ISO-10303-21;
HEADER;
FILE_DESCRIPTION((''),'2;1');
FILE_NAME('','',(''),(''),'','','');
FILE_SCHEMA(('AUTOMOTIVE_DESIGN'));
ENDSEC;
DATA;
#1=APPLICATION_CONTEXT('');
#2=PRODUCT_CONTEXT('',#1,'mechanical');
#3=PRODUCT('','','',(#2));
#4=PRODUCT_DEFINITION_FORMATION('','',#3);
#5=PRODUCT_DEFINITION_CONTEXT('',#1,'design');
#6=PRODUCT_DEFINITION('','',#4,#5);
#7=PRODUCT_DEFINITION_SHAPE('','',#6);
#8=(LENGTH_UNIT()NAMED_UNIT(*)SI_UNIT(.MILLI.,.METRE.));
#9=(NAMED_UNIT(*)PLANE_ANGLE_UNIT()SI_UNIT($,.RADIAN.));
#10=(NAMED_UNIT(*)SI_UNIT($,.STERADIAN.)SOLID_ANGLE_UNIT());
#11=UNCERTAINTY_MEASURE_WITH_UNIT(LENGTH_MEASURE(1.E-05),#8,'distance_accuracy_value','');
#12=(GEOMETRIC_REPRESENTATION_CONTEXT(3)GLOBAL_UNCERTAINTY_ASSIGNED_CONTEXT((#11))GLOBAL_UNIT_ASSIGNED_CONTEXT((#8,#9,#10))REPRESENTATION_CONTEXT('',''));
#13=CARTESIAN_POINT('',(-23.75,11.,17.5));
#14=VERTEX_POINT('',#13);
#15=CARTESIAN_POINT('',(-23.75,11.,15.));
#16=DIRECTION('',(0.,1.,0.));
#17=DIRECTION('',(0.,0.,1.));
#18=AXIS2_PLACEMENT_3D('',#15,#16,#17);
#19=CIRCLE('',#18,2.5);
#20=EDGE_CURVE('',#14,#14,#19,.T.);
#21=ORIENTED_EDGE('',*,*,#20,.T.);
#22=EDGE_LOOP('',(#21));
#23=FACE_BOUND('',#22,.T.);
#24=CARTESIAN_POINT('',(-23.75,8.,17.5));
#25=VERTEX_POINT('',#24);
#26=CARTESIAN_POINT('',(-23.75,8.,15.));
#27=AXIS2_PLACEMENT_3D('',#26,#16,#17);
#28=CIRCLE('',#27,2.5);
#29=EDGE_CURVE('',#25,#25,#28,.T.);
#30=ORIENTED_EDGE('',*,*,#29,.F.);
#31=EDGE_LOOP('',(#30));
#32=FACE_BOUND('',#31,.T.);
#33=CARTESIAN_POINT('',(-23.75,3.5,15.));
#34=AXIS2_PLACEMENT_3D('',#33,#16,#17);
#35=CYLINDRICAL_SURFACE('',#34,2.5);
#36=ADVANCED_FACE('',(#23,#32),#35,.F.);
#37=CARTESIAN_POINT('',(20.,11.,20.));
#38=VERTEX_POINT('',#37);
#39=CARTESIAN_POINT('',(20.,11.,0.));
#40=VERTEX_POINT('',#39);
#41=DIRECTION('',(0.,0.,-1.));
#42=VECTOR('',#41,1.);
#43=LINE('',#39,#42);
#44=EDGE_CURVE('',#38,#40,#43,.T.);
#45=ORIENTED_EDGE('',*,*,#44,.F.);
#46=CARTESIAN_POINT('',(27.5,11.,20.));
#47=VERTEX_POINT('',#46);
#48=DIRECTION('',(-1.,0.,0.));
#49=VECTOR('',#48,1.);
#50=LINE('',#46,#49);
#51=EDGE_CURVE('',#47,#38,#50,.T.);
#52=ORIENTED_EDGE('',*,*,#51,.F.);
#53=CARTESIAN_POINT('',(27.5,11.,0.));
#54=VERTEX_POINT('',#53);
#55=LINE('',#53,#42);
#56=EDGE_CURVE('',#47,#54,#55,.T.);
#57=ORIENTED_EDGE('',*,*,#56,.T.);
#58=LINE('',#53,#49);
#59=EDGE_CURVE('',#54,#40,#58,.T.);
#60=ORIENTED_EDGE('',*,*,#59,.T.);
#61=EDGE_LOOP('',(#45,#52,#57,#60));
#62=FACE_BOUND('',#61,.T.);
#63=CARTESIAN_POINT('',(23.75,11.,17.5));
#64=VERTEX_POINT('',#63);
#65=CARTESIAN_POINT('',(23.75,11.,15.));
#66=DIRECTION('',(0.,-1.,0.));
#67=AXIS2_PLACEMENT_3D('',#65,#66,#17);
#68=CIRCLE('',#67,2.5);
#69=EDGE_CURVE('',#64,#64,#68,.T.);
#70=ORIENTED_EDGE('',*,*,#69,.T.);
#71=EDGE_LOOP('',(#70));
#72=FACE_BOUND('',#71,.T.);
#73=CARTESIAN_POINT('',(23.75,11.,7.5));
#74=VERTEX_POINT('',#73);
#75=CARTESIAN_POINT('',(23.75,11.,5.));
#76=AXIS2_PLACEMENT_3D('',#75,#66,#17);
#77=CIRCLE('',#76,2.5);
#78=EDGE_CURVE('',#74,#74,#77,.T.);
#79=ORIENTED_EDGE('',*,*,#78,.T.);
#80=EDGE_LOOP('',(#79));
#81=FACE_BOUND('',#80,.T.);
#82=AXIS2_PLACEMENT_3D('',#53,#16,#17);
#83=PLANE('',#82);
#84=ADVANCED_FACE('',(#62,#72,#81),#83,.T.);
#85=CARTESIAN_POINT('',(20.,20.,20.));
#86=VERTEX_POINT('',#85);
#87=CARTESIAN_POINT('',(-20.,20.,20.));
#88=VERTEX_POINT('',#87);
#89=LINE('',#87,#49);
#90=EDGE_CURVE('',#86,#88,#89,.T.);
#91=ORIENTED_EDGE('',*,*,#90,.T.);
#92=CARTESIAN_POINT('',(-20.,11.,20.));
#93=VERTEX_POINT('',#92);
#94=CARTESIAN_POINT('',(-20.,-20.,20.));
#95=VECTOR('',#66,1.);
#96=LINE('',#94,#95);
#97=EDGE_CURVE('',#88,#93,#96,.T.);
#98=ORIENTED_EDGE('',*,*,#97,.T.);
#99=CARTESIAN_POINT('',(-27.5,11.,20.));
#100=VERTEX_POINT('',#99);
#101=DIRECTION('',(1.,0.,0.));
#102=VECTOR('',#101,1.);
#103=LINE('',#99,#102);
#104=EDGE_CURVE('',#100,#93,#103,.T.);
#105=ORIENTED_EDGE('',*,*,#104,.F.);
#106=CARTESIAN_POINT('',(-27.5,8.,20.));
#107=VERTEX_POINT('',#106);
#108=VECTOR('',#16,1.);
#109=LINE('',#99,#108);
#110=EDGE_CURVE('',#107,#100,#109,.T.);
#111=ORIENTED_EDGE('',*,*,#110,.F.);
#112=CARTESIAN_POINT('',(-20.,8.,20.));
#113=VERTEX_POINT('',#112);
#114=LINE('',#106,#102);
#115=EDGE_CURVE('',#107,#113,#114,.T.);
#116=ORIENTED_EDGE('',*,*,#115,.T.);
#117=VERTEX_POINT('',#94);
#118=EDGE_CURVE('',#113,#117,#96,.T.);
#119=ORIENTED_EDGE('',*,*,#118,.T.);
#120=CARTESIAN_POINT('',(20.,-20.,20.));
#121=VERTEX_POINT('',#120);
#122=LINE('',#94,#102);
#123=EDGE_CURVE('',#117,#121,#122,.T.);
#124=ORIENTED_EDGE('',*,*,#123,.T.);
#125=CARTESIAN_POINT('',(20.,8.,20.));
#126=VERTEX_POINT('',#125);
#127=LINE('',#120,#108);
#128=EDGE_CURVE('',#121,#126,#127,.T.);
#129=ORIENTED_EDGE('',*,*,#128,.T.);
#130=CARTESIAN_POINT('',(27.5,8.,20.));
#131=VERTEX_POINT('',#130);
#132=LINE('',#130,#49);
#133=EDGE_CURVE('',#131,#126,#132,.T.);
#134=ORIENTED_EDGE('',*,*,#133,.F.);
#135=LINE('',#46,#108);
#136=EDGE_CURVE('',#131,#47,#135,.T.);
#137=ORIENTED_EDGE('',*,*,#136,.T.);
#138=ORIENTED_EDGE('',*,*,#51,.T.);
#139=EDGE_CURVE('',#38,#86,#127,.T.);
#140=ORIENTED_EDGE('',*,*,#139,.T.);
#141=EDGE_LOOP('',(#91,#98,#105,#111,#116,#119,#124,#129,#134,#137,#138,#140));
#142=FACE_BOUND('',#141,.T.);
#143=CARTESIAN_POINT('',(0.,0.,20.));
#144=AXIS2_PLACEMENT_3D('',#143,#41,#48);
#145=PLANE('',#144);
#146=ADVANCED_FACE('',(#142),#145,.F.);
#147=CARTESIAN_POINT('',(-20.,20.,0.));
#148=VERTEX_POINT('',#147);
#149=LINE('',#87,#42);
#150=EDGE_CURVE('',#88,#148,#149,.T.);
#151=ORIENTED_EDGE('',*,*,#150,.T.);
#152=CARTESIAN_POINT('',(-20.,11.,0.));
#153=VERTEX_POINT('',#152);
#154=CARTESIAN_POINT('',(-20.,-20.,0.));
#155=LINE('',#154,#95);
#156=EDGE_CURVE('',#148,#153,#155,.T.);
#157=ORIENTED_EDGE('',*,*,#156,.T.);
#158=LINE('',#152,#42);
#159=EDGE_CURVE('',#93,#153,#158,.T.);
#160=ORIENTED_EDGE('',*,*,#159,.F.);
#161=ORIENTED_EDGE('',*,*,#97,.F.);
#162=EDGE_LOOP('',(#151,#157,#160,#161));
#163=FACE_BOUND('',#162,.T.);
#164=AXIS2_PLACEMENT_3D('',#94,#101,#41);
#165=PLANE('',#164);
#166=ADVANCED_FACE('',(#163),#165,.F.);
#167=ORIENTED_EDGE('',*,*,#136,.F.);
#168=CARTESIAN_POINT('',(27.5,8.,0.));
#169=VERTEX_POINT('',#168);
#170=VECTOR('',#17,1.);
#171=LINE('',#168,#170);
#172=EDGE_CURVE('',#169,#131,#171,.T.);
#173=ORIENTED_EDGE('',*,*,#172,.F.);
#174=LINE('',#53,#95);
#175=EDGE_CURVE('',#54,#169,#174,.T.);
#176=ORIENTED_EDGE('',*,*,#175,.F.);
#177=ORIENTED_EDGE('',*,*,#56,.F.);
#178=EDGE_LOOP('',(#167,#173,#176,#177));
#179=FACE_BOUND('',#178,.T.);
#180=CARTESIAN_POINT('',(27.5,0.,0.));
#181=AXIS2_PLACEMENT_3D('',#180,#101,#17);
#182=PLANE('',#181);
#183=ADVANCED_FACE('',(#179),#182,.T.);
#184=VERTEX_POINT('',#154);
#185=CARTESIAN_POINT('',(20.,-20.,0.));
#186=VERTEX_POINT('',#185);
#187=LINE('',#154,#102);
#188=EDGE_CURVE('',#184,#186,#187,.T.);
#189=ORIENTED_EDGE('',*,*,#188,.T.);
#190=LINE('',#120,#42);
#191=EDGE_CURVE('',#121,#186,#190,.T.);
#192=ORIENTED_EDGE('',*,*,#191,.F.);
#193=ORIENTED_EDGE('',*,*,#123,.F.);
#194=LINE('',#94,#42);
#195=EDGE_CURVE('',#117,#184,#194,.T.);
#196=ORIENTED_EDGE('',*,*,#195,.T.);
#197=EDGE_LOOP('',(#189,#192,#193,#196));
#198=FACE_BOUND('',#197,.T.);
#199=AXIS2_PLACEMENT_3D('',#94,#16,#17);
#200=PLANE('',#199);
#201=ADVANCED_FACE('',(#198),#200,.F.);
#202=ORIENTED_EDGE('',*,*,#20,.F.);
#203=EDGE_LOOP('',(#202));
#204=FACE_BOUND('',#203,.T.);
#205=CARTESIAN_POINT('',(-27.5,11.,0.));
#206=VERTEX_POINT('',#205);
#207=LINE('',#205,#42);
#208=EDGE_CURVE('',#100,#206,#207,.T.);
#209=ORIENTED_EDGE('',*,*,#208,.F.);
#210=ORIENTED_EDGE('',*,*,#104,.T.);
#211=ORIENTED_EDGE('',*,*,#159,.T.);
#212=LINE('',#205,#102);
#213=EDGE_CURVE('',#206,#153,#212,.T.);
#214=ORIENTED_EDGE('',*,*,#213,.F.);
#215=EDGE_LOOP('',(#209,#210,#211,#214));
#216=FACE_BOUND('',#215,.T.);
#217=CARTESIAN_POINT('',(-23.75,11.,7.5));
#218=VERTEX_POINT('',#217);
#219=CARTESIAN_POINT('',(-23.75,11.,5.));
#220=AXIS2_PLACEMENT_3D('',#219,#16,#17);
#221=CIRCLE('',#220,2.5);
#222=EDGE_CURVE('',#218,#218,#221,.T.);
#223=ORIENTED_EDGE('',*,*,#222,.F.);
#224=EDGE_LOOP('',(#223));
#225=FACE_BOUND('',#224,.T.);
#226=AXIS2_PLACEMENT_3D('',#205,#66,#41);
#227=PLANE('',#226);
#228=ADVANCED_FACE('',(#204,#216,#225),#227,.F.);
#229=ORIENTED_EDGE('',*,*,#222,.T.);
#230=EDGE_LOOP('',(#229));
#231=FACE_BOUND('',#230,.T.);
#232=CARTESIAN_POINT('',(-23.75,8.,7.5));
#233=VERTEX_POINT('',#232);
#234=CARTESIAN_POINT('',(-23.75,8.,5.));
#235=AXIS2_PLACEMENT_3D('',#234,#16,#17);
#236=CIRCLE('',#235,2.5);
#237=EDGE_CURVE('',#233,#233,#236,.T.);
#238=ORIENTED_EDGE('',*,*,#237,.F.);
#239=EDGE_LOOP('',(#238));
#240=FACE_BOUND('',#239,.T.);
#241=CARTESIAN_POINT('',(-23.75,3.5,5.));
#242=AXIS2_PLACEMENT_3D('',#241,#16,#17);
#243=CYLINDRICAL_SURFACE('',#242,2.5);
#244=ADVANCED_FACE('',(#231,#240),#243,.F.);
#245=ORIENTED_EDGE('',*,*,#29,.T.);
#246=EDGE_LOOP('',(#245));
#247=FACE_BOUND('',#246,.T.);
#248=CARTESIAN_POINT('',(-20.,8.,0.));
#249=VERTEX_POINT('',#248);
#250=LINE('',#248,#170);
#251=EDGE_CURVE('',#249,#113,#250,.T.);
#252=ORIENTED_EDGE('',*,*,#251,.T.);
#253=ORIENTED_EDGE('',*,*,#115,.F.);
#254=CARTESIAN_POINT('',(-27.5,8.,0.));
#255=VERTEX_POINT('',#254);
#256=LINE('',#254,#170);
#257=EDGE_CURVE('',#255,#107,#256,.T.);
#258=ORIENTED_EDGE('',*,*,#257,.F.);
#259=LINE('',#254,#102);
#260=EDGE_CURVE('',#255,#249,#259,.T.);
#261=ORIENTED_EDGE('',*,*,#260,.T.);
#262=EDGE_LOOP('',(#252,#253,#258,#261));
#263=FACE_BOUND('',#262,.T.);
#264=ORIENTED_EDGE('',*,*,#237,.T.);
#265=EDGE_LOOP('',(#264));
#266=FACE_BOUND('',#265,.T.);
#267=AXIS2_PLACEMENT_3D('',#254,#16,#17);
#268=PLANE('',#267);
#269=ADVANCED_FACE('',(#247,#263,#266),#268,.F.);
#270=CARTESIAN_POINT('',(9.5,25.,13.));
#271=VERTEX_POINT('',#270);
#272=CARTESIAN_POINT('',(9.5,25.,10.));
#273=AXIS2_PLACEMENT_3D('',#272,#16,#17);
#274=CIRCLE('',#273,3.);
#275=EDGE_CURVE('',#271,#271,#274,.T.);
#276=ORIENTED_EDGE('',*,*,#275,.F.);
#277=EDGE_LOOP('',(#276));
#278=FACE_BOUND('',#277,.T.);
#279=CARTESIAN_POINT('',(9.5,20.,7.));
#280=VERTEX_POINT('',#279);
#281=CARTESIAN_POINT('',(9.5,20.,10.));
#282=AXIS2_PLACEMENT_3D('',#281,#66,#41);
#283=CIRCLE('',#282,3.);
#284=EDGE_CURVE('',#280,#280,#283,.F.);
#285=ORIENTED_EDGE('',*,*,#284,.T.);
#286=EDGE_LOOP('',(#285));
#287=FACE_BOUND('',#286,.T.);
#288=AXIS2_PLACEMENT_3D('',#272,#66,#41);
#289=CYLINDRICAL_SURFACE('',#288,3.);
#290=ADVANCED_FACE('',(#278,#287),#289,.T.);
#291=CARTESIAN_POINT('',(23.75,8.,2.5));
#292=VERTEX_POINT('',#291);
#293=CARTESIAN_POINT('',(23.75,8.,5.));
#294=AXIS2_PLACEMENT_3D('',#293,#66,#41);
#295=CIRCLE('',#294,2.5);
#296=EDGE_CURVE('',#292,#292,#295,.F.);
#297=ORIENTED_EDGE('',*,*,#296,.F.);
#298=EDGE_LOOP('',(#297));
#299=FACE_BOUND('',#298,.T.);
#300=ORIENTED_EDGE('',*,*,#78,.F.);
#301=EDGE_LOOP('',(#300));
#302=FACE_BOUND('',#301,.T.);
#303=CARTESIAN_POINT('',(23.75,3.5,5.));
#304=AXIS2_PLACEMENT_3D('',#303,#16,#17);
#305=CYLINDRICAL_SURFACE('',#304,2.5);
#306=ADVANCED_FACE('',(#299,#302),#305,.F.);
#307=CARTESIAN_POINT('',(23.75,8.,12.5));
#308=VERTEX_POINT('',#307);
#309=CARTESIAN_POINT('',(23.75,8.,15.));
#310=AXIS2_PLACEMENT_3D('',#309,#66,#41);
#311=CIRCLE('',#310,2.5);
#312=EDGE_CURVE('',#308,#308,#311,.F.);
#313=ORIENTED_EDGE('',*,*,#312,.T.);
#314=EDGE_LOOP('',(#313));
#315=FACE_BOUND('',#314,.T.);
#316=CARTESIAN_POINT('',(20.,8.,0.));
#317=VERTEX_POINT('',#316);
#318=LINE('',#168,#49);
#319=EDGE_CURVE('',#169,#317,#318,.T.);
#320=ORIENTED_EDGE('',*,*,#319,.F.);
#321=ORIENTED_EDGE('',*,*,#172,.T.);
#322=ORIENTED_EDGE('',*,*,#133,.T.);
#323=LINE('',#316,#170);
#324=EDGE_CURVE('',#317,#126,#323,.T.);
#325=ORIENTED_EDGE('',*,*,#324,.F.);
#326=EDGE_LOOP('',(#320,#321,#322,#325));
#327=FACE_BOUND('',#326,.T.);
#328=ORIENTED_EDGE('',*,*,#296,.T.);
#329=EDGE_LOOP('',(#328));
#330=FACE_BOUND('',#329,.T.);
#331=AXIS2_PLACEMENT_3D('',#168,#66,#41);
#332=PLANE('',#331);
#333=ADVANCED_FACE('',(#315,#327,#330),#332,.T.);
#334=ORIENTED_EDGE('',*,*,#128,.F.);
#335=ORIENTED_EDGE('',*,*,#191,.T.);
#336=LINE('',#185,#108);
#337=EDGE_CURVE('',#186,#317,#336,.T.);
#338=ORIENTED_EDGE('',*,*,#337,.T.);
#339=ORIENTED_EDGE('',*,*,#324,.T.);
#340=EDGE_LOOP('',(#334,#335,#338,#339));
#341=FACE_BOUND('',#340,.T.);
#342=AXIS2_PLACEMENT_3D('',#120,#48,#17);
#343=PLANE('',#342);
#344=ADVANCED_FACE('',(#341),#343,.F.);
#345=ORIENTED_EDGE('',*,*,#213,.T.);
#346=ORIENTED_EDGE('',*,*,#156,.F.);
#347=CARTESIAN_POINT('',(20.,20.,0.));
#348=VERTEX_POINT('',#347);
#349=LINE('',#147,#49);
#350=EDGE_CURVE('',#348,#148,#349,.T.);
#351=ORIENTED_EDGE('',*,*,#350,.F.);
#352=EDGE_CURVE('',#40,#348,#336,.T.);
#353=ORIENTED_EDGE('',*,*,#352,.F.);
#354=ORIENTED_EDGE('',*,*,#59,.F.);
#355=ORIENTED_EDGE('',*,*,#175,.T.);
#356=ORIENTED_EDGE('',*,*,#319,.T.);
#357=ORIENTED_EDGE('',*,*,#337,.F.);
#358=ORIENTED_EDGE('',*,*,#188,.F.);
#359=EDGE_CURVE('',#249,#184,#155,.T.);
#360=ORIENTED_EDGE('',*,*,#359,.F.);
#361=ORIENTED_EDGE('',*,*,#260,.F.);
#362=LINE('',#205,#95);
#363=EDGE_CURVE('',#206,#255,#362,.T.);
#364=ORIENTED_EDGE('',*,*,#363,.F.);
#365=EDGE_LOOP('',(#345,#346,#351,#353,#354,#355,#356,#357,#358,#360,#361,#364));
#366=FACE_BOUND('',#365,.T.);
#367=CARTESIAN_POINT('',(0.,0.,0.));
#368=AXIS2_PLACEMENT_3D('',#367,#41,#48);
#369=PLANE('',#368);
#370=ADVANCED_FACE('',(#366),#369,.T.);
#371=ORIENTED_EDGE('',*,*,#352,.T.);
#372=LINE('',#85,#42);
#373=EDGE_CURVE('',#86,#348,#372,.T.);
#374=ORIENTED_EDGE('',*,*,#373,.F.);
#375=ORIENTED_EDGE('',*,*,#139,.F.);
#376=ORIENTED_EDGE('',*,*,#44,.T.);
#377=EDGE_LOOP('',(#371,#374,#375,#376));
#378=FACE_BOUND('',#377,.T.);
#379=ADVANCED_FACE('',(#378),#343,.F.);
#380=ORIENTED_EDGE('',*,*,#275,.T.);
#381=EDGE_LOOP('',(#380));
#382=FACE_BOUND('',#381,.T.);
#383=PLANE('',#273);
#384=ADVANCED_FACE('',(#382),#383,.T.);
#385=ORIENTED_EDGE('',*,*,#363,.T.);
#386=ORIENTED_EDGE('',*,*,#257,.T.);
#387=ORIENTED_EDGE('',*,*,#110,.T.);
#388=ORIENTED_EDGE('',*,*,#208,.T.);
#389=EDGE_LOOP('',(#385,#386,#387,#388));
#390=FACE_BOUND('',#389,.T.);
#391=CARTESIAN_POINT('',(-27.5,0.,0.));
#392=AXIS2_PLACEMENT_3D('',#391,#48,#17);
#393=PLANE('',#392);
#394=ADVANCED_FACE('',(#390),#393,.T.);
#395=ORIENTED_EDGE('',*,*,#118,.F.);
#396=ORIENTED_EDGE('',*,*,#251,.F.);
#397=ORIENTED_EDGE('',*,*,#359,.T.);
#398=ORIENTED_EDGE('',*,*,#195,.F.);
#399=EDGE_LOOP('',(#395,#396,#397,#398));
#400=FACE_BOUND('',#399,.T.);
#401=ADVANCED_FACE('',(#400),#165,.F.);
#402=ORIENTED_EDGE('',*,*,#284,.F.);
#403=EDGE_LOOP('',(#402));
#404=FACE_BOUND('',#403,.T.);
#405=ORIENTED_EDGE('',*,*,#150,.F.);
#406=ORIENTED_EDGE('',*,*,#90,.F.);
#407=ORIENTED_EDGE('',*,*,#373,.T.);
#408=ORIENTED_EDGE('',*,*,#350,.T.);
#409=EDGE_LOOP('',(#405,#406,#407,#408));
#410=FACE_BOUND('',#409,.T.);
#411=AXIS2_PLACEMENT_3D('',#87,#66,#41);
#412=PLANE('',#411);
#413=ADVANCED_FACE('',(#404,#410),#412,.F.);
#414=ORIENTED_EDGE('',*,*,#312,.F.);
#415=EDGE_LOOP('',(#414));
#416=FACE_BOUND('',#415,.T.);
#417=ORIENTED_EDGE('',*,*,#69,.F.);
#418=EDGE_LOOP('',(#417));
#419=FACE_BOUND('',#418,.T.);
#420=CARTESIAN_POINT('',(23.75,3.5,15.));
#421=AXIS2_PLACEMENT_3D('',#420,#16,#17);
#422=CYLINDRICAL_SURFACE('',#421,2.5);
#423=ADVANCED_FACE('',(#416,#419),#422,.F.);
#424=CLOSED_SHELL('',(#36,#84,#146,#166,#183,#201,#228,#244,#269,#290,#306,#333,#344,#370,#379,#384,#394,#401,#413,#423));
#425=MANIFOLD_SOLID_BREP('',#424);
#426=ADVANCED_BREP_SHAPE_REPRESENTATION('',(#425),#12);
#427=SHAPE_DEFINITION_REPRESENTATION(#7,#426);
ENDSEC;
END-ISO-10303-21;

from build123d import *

# Parameters (mm, degrees)
SKETCH1_W           = 40
SKETCH1_H           = 40
BOSS_EXTRUDE1_DEPTH = 20
SKETCH2_R           = 3
BOSS_EXTRUDE2_DEPTH = 5
SKETCH3_W           = 20
SKETCH3_H           = 3
BOSS_EXTRUDE3_DEPTH = 7.5
SKETCH4_R           = 2.5
CUT_EXTRUDE1_DEPTH  = 7.5


with BuildPart() as part:
    # Sketch1 → Boss-Extrude1 (new body)
    with BuildSketch(Plane.XY):
        Rectangle(SKETCH1_W, SKETCH1_H)
    extrude(amount=BOSS_EXTRUDE1_DEPTH)

    # Sketch2 → Boss-Extrude2 (add)
    with BuildSketch(Plane(origin=(0, 20, 0), x_dir=(1, 0, 0), z_dir=(0, 1, 0))):
        with Locations(Location((9.5, -10, 0), (0, 0, 90))):
            Circle(SKETCH2_R)
    extrude(amount=BOSS_EXTRUDE2_DEPTH)

    # Sketch3 → Boss-Extrude3 (add)
    with BuildSketch(Plane.ZY.offset(20)):
        with Locations((10, 9.5)):
            Rectangle(SKETCH3_W, SKETCH3_H)
    boss_extrude3 = extrude(amount=BOSS_EXTRUDE3_DEPTH)

    # Sketch4 → Cut-Extrude1 (cut)
    with BuildSketch(Plane(origin=(0, 11, 0), x_dir=(1, 0, 0), z_dir=(0, 1, 0))):
        with Locations(Location((-23.75, -5, 0), (0, 0, 270))):
            Circle(SKETCH4_R)
        with Locations(Location((-23.75, -15, 0), (0, 0, 270))):
            Circle(SKETCH4_R)
    cut_extrude1 = extrude(amount=-CUT_EXTRUDE1_DEPTH, mode=Mode.SUBTRACT)

    # Mirror1: Boss-Extrude3, Cut-Extrude1 across plane
    add(boss_extrude3.mirror(Plane(origin=(0, 0, 0), x_dir=(0, 0, 1), z_dir=(1, 0, 0))))
    add(cut_extrude1.mirror(Plane(origin=(0, 0, 0), x_dir=(0, 0, 1), z_dir=(1, 0, 0))), mode=Mode.SUBTRACT)


solid = part.part
